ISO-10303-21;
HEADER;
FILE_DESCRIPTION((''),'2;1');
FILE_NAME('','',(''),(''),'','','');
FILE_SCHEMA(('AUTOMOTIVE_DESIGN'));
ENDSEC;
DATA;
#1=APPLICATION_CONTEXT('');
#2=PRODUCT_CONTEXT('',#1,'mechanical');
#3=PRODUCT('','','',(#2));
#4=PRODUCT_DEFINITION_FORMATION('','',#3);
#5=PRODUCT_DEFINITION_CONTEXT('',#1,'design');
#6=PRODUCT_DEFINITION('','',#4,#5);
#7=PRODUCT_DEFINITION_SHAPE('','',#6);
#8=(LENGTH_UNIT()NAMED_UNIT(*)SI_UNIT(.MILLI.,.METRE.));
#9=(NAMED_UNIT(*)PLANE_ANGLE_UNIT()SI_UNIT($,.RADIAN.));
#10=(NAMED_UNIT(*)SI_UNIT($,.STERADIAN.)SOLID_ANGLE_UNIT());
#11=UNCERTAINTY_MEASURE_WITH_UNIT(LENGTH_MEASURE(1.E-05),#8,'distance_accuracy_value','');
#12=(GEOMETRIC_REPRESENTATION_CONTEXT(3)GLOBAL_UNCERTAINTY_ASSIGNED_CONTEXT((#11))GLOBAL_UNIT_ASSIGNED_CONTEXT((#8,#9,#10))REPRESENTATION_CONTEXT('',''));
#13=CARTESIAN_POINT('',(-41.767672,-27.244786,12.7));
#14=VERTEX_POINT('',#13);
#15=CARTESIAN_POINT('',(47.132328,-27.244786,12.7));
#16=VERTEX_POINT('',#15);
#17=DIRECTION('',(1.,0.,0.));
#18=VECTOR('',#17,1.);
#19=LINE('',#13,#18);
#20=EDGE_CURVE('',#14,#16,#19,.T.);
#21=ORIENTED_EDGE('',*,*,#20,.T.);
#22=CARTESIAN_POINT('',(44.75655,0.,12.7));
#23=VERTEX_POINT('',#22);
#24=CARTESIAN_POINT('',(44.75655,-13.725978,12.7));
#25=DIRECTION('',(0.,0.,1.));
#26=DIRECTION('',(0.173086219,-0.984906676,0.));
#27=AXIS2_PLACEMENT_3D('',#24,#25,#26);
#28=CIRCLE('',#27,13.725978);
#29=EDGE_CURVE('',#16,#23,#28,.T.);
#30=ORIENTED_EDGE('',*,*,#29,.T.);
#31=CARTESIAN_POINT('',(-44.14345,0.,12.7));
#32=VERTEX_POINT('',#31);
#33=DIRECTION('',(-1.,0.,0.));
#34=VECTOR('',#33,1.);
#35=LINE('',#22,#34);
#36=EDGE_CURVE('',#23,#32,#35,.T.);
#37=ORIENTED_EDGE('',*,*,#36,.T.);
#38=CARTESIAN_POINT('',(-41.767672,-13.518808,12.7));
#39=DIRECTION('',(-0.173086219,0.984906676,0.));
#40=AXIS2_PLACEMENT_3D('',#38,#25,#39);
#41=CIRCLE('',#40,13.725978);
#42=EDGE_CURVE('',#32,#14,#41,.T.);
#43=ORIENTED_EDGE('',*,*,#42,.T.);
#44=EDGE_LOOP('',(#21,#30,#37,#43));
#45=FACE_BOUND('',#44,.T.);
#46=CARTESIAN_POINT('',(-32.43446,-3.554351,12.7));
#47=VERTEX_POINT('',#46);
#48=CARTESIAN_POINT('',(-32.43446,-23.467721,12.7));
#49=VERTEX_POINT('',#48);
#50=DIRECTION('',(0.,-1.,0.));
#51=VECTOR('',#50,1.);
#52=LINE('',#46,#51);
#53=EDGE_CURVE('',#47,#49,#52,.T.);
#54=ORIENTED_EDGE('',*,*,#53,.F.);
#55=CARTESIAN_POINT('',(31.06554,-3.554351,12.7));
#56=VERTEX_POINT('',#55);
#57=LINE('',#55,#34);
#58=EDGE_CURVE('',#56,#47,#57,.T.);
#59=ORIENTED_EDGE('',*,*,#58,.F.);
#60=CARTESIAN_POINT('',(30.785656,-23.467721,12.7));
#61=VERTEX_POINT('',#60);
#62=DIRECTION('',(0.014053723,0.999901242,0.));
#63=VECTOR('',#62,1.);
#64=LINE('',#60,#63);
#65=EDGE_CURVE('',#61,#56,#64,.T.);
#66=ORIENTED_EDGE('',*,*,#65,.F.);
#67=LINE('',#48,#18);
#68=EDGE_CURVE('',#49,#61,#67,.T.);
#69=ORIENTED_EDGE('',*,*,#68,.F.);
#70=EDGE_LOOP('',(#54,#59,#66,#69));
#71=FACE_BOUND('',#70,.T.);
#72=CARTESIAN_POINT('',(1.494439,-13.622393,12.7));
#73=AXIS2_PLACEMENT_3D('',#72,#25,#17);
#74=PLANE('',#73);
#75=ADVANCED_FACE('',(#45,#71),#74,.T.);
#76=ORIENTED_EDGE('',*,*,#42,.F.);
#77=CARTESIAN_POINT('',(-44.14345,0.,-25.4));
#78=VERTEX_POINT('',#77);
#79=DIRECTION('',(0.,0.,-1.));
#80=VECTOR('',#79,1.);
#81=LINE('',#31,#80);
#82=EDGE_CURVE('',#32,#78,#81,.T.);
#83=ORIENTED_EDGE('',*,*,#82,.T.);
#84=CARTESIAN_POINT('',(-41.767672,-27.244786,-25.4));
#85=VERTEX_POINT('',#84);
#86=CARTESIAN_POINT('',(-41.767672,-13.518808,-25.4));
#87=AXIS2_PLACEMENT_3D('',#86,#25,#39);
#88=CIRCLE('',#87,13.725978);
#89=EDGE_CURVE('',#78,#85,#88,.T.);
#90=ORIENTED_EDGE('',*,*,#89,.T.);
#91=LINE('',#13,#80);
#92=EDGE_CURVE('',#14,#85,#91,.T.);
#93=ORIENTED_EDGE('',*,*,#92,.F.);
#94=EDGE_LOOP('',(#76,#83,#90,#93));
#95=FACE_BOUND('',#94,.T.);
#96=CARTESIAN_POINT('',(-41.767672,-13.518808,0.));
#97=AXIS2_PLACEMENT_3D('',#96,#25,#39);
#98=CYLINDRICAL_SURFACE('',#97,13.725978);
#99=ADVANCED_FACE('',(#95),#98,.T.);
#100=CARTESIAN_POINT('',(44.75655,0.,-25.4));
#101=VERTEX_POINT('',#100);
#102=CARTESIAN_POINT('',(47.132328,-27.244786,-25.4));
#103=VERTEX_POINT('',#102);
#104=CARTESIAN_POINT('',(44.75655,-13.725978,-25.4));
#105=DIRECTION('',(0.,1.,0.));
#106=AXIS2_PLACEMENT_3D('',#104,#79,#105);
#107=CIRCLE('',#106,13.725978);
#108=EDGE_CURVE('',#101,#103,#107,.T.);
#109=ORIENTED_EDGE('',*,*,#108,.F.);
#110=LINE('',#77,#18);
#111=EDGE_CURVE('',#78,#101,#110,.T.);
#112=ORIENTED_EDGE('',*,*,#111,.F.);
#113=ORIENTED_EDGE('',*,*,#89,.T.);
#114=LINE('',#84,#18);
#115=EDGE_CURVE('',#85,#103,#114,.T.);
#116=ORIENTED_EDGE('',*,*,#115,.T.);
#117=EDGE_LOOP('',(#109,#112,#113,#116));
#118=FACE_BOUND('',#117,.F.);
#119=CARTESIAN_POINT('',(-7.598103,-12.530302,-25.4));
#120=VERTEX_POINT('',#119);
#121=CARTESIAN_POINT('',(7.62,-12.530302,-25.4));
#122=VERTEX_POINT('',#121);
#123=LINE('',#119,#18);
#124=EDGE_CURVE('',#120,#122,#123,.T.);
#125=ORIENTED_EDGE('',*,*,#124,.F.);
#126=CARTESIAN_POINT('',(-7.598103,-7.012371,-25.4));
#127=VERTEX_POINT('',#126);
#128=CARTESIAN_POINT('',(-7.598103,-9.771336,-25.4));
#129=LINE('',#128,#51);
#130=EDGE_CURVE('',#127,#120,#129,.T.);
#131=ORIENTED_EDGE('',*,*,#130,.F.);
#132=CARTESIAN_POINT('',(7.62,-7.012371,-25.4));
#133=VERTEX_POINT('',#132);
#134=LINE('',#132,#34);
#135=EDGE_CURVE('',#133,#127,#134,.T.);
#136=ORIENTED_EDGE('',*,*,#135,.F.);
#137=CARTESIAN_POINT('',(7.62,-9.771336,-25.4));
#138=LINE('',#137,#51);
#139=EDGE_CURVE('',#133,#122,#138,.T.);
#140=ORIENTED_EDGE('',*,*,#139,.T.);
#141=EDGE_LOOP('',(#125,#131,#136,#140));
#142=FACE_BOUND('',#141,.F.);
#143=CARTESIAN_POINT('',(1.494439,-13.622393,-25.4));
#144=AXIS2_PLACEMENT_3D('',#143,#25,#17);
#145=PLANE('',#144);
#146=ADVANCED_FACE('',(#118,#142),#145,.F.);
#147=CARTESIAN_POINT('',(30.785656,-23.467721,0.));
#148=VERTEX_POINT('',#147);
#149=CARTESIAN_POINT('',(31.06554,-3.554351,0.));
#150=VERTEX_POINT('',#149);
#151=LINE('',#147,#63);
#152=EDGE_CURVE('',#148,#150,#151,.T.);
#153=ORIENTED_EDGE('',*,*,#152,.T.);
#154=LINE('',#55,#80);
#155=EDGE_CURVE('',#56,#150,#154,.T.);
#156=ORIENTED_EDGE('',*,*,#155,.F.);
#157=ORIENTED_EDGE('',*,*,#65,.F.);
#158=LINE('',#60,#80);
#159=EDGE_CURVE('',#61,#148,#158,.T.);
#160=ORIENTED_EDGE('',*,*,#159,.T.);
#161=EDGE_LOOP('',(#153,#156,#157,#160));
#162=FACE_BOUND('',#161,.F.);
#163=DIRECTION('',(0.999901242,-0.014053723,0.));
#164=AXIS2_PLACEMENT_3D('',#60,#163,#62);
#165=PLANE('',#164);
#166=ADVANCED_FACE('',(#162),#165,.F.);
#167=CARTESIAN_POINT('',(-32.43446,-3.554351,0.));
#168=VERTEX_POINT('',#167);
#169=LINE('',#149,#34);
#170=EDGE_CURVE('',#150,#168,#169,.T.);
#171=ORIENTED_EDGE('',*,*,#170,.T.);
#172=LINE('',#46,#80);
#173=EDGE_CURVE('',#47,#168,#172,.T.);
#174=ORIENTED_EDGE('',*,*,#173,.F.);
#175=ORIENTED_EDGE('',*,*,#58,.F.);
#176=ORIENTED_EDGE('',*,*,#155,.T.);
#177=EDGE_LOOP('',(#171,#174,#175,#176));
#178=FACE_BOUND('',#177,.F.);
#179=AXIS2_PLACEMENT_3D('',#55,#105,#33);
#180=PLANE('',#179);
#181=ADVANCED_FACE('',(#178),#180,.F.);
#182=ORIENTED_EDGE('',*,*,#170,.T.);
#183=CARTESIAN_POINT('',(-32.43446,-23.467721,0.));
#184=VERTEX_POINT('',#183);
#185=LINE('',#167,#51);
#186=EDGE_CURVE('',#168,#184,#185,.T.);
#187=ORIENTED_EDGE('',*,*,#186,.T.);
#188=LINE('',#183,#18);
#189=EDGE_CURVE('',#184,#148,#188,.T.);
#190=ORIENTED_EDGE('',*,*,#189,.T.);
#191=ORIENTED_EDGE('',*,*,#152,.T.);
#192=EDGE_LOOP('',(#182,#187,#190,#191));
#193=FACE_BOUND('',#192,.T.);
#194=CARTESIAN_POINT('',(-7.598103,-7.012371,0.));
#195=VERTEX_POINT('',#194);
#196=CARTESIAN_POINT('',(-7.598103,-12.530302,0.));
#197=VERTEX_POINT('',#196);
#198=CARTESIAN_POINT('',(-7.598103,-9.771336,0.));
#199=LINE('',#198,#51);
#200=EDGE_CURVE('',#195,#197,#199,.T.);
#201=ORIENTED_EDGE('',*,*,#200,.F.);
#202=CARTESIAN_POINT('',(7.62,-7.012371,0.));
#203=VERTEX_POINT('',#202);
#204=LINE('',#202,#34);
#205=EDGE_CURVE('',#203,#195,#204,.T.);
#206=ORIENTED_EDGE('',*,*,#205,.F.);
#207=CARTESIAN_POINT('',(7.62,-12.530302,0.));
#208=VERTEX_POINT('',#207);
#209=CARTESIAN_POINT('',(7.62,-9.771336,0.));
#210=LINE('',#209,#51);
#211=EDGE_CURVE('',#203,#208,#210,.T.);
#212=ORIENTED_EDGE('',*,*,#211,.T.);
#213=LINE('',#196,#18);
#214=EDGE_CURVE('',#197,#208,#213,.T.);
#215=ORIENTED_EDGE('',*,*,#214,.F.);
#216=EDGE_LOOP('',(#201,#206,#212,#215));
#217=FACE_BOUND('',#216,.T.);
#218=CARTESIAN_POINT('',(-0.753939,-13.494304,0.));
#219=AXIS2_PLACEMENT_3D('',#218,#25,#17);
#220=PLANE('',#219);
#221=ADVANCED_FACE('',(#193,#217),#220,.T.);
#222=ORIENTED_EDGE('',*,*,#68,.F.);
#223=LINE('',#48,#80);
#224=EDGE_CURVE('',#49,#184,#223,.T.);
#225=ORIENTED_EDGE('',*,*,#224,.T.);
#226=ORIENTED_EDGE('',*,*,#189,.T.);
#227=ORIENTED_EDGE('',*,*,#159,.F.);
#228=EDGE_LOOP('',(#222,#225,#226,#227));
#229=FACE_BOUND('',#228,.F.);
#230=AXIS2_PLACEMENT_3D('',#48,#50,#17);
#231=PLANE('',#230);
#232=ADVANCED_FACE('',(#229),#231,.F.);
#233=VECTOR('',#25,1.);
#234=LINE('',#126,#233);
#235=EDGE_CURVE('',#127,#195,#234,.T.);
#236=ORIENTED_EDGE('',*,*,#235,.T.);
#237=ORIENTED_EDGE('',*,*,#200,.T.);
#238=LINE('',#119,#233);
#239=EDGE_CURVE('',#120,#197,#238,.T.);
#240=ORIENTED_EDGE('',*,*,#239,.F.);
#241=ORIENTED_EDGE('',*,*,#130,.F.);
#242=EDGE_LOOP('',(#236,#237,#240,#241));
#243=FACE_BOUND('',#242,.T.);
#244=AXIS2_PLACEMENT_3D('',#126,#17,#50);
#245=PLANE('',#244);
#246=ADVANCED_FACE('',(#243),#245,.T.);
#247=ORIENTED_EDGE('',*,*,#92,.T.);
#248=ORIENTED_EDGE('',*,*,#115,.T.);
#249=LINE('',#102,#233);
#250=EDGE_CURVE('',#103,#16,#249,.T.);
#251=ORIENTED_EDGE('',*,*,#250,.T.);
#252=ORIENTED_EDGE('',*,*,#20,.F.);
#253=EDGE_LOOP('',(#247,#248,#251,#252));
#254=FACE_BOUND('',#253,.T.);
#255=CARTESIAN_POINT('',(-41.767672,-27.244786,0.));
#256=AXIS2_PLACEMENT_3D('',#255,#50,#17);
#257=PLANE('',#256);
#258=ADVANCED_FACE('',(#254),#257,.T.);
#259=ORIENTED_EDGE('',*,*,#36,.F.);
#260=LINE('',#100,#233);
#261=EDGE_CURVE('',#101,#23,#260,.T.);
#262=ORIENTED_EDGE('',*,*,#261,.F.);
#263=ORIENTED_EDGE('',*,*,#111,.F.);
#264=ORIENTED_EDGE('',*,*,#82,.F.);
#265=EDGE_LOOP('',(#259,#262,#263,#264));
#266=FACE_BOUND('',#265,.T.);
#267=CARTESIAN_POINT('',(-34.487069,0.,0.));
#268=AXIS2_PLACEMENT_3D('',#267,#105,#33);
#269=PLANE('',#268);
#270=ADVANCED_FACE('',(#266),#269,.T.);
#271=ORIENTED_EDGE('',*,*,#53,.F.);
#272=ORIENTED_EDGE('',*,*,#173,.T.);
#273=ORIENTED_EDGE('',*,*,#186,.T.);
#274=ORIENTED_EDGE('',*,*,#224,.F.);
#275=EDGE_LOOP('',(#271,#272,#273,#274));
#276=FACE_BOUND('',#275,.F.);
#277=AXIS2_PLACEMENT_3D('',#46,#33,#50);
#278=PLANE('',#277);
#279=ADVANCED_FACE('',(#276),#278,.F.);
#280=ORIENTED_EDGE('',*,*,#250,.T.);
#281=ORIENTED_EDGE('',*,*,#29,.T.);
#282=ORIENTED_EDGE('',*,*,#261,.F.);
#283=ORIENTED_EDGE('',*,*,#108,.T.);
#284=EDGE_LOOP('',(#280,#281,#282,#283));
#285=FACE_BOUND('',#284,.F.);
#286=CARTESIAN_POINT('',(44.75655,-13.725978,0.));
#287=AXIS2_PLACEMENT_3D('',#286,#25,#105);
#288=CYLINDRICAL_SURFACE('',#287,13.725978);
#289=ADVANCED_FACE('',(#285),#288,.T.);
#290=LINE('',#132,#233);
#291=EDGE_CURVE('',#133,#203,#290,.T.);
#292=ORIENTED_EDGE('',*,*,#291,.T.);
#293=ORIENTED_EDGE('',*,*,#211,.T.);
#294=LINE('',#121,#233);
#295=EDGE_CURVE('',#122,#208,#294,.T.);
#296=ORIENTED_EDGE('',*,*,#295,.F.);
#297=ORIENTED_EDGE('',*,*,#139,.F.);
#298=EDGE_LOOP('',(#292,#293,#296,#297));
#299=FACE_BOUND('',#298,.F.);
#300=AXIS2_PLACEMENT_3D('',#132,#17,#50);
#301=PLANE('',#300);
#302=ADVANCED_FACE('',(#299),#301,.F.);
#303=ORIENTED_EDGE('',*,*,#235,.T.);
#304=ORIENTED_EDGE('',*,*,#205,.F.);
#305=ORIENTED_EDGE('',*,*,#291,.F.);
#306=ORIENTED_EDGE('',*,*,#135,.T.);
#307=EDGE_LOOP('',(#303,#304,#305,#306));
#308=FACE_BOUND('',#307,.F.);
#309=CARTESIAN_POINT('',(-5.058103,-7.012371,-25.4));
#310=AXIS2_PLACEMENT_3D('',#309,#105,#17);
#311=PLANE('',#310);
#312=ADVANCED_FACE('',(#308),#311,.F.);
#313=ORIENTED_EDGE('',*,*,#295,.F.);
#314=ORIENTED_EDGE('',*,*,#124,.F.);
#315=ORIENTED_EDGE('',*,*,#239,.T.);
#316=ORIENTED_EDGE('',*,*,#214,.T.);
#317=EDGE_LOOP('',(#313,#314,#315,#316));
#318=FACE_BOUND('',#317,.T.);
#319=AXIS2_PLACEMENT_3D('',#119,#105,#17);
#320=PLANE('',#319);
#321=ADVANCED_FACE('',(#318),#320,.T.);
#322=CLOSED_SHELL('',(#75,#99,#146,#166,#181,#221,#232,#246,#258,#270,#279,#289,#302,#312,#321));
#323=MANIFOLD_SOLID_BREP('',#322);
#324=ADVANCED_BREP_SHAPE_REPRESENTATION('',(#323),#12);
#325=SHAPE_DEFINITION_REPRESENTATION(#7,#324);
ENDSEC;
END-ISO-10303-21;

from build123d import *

# Parameters (mm, degrees)
F1_DEPTH  = 12.7
F4_DEPTH  = 25.4
F5_DEPTH  = 25.4
F7_DEPTH  = 12.7
F9_DEPTH  = 25.4
F10_W     = 2.54
F10_H     = 5.5179311894
F11_DEPTH = 25.4


with BuildPart() as f1:
    # F0 (on Top) → F1 (new body)
    with BuildSketch(Plane.XY):
        with BuildLine():
            Line((44.7565504849, 0), (-44.1434495151, 0))
            ThreePointArc((-44.1434495151, 0), (-55.4417593201, -14.7112042456), (-41.7676718473, -27.2447858006))
            Line((-41.7676718473, -27.2447858006), (47.1323281527, -27.2447858006))
            ThreePointArc((47.1323281527, -27.2447858006), (58.4306379576, -12.5335815549), (44.7565504849, 0))
        make_face()
    extrude(amount=F1_DEPTH)

    # F2 (on face) → F4 (join)
    with BuildSketch(Plane(origin=(0, 0, 0), x_dir=(1, 0, 0), z_dir=(0, 0, -1))):
        with BuildLine():
            Line((47.1323281527, 27.2447858006), (-34.4870686531, 27.2447858006))
            Line((-34.4870686531, 27.2447858006), (-34.4870686531, 0))
            Line((-34.4870686531, 0), (44.7565504849, 0))
            ThreePointArc((44.7565504849, 0), (58.4306379576, 12.5335815549), (47.1323281527, 27.2447858006))
        make_face()
    extrude(amount=F4_DEPTH)

    # F5 (add): a face of the model
    f5_faces = [f1.faces().sort_by_distance(p)[0] for p in [
        (-43.7953743511, -13.5694519924, 0),
    ]]
    extrude(f5_faces, amount=F5_DEPTH)

    # F6 (on face) → F7 (cut)
    with BuildSketch(Plane.XY.offset(12.7)):
        Polygon((30.7856556028, -23.4677214175), (31.0655402243, -3.554351395), (-32.4344597757, -3.554351395), (-32.4344597757, -23.4677214175), align=None)
    extrude(amount=-F7_DEPTH, mode=Mode.SUBTRACT)

    # F8 (on face) → F9 (cut)
    with BuildSketch(Plane(origin=(0, 0, -25.4), x_dir=(1, 0, 0), z_dir=(0, 0, -1))):
        Polygon((5.08, 12.5303016976), (0, 12.5303016976), (-5.058103241, 12.5303016976), (-5.058103241, 7.0123705082), (5.08, 7.0123705082), align=None)
    extrude(amount=-F9_DEPTH, mode=Mode.SUBTRACT)

    # F10 (on face) → F11 (cut)
    with BuildSketch(Plane(origin=(0, 0, -25.4), x_dir=(1, 0, 0), z_dir=(0, 0, -1))):
        with Locations((-6.328103241, 9.7713361029)):
            Rectangle(F10_W, F10_H)
        with Locations((6.35, 9.7713361029)):
            Rectangle(F10_W, F10_H)
    extrude(amount=-F11_DEPTH, mode=Mode.SUBTRACT)


solid = f1.part
